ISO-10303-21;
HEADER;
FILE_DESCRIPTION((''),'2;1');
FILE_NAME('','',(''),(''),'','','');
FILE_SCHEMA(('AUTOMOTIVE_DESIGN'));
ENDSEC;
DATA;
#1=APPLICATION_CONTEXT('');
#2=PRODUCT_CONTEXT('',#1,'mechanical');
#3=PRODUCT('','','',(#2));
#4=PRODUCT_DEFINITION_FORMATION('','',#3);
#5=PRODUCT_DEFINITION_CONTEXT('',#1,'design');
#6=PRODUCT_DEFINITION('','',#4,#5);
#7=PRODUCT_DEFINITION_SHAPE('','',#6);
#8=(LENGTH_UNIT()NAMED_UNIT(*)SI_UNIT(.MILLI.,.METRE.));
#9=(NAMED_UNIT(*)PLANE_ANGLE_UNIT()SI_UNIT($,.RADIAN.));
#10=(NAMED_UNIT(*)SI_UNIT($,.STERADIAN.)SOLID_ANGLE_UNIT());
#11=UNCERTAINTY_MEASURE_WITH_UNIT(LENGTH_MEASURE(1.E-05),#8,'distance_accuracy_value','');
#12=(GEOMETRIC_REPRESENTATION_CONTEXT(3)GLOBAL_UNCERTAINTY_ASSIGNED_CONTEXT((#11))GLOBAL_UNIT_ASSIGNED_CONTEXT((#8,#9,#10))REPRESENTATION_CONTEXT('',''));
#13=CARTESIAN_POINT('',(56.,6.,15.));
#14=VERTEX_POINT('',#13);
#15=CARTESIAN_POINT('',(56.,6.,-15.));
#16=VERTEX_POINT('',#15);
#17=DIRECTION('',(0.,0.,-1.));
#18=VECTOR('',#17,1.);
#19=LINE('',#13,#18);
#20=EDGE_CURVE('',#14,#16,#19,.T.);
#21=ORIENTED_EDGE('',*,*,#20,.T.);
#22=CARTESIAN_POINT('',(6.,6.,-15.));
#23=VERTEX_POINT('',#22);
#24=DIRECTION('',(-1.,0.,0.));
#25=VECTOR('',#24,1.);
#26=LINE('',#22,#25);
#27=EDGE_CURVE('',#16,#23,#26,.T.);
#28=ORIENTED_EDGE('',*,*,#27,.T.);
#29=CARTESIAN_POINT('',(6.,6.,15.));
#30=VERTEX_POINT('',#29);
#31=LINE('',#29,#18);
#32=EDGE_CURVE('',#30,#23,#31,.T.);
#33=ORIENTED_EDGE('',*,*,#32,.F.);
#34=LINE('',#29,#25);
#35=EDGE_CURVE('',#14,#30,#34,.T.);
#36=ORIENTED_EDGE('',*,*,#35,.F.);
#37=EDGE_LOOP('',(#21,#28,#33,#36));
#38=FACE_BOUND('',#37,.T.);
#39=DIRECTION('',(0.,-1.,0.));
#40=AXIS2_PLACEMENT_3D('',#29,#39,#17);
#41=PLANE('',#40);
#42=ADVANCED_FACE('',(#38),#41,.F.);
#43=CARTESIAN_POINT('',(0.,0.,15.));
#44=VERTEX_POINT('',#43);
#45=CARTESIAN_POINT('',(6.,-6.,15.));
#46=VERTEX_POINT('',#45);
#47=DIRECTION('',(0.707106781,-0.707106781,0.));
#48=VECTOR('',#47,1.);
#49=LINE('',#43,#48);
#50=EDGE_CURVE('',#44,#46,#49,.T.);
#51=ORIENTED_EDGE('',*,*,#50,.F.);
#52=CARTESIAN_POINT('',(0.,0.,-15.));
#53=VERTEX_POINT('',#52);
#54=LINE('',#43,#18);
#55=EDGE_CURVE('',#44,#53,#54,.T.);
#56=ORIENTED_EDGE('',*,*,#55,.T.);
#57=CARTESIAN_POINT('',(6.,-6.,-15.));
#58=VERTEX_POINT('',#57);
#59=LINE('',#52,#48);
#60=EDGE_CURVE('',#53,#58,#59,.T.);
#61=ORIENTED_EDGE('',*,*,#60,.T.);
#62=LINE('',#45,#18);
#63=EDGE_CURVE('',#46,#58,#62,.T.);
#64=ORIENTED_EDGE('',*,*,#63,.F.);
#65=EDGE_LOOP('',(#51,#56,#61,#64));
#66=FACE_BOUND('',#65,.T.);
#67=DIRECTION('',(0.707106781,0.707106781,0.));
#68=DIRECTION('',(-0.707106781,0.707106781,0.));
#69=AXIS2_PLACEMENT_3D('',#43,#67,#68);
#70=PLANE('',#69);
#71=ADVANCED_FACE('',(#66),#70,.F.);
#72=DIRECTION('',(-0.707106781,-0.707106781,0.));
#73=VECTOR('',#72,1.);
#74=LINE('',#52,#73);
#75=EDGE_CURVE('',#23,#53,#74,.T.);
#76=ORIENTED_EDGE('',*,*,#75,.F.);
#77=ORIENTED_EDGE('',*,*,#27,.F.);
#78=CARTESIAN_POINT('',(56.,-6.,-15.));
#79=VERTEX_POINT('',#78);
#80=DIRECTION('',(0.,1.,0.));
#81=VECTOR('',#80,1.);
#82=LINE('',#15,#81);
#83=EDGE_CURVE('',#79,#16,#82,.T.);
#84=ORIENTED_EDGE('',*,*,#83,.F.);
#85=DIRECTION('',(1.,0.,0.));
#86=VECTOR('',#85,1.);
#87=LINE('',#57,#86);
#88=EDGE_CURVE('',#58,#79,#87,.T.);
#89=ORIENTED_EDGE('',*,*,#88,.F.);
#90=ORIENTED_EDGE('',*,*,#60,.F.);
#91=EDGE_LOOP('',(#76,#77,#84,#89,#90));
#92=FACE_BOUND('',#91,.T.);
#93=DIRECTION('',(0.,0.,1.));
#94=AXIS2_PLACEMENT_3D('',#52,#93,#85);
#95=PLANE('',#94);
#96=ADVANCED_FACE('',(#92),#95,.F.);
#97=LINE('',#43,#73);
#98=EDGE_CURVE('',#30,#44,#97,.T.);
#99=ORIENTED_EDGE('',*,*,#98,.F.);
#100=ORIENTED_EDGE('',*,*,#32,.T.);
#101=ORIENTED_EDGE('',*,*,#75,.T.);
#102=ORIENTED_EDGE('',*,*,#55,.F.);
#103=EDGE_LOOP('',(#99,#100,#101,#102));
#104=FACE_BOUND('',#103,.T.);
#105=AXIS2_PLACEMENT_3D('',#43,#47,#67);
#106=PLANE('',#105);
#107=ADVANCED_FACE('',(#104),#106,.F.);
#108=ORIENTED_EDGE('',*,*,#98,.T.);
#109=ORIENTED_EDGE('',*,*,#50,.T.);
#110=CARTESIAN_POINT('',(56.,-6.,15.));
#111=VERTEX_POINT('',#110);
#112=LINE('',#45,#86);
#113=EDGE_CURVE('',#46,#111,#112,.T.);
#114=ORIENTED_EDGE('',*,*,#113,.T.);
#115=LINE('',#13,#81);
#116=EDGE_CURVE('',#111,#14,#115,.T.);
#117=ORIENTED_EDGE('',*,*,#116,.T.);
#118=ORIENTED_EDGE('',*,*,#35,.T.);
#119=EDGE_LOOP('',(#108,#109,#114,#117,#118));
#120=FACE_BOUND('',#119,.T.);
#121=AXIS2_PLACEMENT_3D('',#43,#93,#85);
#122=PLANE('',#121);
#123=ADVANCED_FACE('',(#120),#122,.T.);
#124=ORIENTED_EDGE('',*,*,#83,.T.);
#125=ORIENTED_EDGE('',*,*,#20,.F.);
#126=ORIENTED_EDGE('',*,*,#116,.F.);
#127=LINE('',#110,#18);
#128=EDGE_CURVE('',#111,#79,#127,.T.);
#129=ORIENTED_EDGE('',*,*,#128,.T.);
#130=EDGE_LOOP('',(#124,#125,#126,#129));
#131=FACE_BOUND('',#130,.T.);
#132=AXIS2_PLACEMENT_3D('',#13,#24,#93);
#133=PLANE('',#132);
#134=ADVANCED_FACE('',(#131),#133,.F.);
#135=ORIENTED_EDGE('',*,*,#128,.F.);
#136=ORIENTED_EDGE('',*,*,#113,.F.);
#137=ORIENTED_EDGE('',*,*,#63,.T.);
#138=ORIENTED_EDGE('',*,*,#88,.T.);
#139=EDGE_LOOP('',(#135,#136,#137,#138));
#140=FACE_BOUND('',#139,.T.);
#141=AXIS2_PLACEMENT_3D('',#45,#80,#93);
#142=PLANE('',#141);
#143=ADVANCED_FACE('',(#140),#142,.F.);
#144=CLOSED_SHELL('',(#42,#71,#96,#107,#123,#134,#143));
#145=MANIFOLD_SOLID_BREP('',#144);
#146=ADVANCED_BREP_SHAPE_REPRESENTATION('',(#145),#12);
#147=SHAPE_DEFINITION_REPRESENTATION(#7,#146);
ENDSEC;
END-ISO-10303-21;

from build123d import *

# Parameters (mm, degrees)
BOSS_EXTRUDE1_DEPTH = 15


with BuildPart() as part:
    # Sketch1 → Boss-Extrude1 (new, symmetric)
    with BuildSketch(Plane.XY):
        Polygon((0, 0), (6, 6), (56, 6), (56, -6), (6, -6), align=None)
    extrude(amount=BOSS_EXTRUDE1_DEPTH, both=True)


solid = part.part
